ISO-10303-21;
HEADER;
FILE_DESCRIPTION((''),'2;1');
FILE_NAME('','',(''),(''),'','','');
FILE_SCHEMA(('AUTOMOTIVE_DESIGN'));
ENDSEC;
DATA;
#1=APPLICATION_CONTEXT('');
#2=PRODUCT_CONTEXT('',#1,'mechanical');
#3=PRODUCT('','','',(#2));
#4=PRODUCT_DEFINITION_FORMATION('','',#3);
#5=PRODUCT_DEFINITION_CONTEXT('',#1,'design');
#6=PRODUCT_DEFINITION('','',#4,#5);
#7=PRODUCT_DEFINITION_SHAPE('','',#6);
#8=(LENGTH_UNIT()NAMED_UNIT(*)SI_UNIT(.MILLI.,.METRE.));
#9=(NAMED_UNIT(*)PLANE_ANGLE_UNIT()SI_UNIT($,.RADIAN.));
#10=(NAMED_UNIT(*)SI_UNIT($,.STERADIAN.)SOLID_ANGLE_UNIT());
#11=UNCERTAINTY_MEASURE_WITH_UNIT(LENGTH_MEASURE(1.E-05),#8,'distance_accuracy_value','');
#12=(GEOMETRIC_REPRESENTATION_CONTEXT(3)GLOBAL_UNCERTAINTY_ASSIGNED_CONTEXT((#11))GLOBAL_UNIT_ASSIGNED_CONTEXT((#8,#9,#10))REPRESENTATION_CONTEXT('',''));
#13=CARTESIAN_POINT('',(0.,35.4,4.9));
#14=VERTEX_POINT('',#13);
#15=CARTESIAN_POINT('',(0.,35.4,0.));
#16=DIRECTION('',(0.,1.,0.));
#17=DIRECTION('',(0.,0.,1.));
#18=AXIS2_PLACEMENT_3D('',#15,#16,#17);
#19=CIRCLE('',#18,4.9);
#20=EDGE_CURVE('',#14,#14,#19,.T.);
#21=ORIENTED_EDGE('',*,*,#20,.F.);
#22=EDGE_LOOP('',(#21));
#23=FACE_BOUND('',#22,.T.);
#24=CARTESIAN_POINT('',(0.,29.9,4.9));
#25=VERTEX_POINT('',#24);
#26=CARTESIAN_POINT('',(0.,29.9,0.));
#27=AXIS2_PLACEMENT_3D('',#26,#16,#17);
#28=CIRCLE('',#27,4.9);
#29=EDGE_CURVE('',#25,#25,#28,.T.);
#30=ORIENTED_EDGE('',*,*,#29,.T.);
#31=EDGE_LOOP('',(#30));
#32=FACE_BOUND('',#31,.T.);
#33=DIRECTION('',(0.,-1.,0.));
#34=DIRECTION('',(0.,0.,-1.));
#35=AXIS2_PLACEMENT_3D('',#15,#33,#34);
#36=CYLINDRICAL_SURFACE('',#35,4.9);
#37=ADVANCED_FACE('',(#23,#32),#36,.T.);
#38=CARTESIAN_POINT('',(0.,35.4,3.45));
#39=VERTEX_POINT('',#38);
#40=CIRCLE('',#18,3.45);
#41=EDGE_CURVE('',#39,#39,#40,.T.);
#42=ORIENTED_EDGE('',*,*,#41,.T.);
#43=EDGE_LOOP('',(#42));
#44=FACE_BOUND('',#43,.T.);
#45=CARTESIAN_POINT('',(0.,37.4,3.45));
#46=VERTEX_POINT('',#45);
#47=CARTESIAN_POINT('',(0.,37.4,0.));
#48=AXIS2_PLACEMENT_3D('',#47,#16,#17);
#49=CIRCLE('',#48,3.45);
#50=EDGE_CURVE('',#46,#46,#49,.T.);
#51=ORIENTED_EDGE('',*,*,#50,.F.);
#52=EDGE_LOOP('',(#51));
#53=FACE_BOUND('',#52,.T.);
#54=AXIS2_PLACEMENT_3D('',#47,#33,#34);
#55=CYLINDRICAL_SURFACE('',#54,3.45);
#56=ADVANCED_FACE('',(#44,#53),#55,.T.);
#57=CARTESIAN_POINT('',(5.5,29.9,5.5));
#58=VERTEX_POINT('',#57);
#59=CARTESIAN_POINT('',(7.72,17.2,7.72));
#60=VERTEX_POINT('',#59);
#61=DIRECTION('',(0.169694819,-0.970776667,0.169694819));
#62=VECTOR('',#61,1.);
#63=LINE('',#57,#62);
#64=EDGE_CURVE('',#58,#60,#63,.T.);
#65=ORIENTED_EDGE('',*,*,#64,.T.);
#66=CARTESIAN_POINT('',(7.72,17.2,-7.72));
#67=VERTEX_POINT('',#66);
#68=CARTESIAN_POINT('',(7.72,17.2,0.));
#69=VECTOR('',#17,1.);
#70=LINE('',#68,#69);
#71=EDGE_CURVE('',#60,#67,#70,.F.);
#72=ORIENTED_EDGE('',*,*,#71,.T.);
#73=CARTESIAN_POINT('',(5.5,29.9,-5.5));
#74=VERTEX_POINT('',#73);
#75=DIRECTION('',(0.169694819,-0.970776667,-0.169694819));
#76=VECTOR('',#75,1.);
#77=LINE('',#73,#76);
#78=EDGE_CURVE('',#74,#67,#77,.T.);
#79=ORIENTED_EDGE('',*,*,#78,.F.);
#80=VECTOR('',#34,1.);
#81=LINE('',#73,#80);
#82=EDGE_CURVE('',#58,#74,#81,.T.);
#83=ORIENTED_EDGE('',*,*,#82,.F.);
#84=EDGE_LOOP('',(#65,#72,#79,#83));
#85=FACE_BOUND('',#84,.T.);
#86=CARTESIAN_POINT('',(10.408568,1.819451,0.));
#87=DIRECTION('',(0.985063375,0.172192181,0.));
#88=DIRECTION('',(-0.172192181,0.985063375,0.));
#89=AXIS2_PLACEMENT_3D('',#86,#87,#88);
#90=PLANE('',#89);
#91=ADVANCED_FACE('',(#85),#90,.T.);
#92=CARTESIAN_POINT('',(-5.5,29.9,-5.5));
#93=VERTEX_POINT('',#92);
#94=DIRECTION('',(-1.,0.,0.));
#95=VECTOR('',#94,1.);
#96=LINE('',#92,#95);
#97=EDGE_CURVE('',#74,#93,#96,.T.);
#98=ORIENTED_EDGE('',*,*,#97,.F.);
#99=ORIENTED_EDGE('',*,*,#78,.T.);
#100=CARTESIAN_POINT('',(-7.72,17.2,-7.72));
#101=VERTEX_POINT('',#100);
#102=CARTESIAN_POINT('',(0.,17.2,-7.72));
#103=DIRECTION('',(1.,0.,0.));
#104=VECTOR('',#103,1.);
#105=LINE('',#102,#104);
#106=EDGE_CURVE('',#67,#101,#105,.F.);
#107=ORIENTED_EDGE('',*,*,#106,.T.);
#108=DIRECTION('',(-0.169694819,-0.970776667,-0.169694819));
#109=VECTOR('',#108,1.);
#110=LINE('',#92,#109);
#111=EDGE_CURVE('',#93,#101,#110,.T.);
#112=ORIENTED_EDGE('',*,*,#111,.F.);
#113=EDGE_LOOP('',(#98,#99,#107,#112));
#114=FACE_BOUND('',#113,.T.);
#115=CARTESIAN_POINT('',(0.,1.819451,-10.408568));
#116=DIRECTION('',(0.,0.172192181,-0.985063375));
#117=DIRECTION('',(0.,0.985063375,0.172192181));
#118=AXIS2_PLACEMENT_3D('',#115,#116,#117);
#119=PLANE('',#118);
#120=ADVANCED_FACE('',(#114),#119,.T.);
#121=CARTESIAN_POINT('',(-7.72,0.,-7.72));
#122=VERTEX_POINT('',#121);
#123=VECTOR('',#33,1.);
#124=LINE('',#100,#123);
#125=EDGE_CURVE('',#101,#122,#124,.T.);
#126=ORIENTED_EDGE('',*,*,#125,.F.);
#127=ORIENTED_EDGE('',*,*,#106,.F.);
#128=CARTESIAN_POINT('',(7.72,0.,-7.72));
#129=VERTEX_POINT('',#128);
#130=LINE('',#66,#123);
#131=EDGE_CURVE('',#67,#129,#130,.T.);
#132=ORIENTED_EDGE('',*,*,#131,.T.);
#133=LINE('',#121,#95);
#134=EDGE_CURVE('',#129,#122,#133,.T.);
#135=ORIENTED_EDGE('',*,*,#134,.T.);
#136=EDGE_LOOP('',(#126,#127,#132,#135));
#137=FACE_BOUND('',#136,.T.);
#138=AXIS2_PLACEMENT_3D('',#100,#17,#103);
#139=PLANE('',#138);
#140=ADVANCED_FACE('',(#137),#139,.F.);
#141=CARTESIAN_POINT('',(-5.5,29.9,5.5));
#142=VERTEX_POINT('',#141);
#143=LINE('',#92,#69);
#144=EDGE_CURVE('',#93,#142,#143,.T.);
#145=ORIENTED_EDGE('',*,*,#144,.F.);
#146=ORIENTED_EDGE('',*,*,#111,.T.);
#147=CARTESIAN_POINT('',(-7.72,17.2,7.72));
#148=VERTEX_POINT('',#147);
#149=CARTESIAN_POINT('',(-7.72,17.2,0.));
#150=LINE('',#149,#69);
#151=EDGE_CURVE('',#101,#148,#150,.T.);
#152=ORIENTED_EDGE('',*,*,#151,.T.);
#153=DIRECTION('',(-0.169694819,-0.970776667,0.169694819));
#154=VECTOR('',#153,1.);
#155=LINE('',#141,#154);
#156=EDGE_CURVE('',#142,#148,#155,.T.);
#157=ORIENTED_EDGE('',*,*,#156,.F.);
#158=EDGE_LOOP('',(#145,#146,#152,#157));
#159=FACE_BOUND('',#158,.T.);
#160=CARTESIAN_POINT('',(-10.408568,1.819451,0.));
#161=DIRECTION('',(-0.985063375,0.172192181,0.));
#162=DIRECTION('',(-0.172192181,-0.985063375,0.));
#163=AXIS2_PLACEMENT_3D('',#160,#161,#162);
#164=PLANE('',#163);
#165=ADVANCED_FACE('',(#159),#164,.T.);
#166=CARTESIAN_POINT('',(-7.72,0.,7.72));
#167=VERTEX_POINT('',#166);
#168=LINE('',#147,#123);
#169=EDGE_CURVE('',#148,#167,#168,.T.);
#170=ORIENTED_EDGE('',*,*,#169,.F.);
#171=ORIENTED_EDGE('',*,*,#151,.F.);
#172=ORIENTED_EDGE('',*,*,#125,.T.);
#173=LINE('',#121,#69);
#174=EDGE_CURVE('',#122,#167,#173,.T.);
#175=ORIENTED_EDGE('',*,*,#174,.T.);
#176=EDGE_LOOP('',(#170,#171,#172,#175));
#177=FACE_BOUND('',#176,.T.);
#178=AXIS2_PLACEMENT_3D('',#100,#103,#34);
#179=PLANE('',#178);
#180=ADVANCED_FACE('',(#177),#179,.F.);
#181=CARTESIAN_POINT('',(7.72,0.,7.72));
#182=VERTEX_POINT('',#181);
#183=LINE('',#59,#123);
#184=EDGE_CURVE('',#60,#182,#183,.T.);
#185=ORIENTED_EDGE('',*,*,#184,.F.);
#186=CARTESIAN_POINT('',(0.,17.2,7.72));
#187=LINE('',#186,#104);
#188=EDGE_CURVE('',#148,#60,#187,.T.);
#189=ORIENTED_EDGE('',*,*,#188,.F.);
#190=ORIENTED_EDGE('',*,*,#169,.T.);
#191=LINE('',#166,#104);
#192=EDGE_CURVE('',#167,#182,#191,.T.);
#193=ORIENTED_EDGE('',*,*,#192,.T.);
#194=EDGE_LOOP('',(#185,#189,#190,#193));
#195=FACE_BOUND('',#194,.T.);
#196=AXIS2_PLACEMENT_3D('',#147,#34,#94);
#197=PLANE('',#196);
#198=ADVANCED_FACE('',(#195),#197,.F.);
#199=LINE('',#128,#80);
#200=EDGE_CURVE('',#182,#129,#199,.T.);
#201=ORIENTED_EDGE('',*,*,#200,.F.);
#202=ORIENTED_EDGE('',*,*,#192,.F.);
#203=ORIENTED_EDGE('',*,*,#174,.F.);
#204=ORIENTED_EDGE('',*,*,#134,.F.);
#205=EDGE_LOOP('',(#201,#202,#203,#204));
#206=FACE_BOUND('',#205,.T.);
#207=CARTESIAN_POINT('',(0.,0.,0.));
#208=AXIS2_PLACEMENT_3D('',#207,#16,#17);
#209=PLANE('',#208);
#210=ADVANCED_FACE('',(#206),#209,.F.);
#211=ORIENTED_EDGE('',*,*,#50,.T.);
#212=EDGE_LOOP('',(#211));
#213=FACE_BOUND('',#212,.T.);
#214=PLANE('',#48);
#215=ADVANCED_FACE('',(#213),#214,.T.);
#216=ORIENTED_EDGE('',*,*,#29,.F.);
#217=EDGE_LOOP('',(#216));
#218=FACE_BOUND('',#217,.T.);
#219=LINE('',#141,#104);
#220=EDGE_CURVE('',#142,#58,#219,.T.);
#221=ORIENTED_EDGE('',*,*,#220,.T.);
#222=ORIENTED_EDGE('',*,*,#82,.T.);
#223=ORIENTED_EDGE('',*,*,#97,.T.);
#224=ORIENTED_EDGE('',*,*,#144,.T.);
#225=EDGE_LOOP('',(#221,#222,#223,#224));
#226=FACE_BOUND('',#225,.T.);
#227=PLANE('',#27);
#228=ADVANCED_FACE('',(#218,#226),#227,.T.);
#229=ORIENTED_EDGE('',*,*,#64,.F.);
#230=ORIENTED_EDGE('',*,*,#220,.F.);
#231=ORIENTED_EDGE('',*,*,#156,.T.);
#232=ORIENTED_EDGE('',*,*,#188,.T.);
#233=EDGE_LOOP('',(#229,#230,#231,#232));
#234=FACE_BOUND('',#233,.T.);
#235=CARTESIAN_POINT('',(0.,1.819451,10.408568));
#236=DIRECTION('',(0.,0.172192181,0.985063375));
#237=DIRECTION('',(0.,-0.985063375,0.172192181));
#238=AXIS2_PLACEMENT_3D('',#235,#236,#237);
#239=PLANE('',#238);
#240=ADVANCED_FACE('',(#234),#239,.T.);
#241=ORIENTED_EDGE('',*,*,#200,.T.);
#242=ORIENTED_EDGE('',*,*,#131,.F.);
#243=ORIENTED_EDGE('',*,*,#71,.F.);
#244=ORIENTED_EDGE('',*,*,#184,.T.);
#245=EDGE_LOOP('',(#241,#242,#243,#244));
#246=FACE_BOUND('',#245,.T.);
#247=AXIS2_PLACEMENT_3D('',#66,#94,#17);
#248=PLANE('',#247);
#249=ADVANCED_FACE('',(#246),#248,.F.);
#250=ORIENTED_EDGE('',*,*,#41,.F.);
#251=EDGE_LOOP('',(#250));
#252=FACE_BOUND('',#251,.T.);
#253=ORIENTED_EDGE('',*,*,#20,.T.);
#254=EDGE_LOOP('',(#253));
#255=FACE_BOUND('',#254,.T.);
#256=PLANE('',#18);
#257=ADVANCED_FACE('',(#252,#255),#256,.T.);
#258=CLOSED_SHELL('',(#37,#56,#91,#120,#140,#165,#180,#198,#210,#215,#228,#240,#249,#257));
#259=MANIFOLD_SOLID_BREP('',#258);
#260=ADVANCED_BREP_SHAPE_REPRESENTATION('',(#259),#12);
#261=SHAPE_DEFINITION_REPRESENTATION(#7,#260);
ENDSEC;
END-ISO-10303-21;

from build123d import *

# Parameters (mm, degrees)
SKETCH_1_W      = 15.44
SKETCH_1_H      = 15.44
EXTRUDE_1_DEPTH = 17.2
SKETCH_3_R      = 4.9
EXTRUDE_2_DEPTH = 5.5
SKETCH_4_R      = 3.45
EXTRUDE_3_DEPTH = 2


with BuildPart() as part:
    # Эскиз1 → Бобышка-Вытянуть1 (new body)
    with BuildSketch(Plane(origin=(0, 0, 0), x_dir=(1, 0, 0), z_dir=(0, 1, 0))):
        Rectangle(SKETCH_1_W, SKETCH_1_H)
    extrude(amount=EXTRUDE_1_DEPTH)

    # Эскиз2 → section 0 of loft_1
    with BuildSketch(Plane(origin=(0, 29.9, 0), x_dir=(1, 0, 0), z_dir=(0, 1, 0)), mode=Mode.PRIVATE) as loft_1_s0:
        with BuildLine():
            Line((-5.5, 5.5), (5.5, 5.5))
            Line((5.5, 5.5), (5.5, -5.5))
            Line((5.5, -5.5), (-5.5, -5.5))
            Line((-5.5, -5.5), (-5.5, 5.5))
        make_face()
    # loft up to a face of the part (loft_1)
    loft([loft_1_s0.sketch, part.faces().sort_by_distance((0, 17.2, 0))[0]])

    # Эскиз3 → Бобышка-Вытянуть2 (add)
    with BuildSketch(Plane(origin=(0, 29.9, 0), x_dir=(1, 0, 0), z_dir=(0, 1, 0))):
        with Locations(Location((0, 0, 0), (0, 0, 270))):
            Circle(SKETCH_3_R)
    extrude(amount=EXTRUDE_2_DEPTH)

    # Эскиз4 → Бобышка-Вытянуть3 (add)
    with BuildSketch(Plane(origin=(0, 35.4, 0), x_dir=(1, 0, 0), z_dir=(0, 1, 0))):
        with Locations(Location((0, 0, 0), (0, 0, 270))):
            Circle(SKETCH_4_R)
    extrude(amount=EXTRUDE_3_DEPTH)


solid = part.part
